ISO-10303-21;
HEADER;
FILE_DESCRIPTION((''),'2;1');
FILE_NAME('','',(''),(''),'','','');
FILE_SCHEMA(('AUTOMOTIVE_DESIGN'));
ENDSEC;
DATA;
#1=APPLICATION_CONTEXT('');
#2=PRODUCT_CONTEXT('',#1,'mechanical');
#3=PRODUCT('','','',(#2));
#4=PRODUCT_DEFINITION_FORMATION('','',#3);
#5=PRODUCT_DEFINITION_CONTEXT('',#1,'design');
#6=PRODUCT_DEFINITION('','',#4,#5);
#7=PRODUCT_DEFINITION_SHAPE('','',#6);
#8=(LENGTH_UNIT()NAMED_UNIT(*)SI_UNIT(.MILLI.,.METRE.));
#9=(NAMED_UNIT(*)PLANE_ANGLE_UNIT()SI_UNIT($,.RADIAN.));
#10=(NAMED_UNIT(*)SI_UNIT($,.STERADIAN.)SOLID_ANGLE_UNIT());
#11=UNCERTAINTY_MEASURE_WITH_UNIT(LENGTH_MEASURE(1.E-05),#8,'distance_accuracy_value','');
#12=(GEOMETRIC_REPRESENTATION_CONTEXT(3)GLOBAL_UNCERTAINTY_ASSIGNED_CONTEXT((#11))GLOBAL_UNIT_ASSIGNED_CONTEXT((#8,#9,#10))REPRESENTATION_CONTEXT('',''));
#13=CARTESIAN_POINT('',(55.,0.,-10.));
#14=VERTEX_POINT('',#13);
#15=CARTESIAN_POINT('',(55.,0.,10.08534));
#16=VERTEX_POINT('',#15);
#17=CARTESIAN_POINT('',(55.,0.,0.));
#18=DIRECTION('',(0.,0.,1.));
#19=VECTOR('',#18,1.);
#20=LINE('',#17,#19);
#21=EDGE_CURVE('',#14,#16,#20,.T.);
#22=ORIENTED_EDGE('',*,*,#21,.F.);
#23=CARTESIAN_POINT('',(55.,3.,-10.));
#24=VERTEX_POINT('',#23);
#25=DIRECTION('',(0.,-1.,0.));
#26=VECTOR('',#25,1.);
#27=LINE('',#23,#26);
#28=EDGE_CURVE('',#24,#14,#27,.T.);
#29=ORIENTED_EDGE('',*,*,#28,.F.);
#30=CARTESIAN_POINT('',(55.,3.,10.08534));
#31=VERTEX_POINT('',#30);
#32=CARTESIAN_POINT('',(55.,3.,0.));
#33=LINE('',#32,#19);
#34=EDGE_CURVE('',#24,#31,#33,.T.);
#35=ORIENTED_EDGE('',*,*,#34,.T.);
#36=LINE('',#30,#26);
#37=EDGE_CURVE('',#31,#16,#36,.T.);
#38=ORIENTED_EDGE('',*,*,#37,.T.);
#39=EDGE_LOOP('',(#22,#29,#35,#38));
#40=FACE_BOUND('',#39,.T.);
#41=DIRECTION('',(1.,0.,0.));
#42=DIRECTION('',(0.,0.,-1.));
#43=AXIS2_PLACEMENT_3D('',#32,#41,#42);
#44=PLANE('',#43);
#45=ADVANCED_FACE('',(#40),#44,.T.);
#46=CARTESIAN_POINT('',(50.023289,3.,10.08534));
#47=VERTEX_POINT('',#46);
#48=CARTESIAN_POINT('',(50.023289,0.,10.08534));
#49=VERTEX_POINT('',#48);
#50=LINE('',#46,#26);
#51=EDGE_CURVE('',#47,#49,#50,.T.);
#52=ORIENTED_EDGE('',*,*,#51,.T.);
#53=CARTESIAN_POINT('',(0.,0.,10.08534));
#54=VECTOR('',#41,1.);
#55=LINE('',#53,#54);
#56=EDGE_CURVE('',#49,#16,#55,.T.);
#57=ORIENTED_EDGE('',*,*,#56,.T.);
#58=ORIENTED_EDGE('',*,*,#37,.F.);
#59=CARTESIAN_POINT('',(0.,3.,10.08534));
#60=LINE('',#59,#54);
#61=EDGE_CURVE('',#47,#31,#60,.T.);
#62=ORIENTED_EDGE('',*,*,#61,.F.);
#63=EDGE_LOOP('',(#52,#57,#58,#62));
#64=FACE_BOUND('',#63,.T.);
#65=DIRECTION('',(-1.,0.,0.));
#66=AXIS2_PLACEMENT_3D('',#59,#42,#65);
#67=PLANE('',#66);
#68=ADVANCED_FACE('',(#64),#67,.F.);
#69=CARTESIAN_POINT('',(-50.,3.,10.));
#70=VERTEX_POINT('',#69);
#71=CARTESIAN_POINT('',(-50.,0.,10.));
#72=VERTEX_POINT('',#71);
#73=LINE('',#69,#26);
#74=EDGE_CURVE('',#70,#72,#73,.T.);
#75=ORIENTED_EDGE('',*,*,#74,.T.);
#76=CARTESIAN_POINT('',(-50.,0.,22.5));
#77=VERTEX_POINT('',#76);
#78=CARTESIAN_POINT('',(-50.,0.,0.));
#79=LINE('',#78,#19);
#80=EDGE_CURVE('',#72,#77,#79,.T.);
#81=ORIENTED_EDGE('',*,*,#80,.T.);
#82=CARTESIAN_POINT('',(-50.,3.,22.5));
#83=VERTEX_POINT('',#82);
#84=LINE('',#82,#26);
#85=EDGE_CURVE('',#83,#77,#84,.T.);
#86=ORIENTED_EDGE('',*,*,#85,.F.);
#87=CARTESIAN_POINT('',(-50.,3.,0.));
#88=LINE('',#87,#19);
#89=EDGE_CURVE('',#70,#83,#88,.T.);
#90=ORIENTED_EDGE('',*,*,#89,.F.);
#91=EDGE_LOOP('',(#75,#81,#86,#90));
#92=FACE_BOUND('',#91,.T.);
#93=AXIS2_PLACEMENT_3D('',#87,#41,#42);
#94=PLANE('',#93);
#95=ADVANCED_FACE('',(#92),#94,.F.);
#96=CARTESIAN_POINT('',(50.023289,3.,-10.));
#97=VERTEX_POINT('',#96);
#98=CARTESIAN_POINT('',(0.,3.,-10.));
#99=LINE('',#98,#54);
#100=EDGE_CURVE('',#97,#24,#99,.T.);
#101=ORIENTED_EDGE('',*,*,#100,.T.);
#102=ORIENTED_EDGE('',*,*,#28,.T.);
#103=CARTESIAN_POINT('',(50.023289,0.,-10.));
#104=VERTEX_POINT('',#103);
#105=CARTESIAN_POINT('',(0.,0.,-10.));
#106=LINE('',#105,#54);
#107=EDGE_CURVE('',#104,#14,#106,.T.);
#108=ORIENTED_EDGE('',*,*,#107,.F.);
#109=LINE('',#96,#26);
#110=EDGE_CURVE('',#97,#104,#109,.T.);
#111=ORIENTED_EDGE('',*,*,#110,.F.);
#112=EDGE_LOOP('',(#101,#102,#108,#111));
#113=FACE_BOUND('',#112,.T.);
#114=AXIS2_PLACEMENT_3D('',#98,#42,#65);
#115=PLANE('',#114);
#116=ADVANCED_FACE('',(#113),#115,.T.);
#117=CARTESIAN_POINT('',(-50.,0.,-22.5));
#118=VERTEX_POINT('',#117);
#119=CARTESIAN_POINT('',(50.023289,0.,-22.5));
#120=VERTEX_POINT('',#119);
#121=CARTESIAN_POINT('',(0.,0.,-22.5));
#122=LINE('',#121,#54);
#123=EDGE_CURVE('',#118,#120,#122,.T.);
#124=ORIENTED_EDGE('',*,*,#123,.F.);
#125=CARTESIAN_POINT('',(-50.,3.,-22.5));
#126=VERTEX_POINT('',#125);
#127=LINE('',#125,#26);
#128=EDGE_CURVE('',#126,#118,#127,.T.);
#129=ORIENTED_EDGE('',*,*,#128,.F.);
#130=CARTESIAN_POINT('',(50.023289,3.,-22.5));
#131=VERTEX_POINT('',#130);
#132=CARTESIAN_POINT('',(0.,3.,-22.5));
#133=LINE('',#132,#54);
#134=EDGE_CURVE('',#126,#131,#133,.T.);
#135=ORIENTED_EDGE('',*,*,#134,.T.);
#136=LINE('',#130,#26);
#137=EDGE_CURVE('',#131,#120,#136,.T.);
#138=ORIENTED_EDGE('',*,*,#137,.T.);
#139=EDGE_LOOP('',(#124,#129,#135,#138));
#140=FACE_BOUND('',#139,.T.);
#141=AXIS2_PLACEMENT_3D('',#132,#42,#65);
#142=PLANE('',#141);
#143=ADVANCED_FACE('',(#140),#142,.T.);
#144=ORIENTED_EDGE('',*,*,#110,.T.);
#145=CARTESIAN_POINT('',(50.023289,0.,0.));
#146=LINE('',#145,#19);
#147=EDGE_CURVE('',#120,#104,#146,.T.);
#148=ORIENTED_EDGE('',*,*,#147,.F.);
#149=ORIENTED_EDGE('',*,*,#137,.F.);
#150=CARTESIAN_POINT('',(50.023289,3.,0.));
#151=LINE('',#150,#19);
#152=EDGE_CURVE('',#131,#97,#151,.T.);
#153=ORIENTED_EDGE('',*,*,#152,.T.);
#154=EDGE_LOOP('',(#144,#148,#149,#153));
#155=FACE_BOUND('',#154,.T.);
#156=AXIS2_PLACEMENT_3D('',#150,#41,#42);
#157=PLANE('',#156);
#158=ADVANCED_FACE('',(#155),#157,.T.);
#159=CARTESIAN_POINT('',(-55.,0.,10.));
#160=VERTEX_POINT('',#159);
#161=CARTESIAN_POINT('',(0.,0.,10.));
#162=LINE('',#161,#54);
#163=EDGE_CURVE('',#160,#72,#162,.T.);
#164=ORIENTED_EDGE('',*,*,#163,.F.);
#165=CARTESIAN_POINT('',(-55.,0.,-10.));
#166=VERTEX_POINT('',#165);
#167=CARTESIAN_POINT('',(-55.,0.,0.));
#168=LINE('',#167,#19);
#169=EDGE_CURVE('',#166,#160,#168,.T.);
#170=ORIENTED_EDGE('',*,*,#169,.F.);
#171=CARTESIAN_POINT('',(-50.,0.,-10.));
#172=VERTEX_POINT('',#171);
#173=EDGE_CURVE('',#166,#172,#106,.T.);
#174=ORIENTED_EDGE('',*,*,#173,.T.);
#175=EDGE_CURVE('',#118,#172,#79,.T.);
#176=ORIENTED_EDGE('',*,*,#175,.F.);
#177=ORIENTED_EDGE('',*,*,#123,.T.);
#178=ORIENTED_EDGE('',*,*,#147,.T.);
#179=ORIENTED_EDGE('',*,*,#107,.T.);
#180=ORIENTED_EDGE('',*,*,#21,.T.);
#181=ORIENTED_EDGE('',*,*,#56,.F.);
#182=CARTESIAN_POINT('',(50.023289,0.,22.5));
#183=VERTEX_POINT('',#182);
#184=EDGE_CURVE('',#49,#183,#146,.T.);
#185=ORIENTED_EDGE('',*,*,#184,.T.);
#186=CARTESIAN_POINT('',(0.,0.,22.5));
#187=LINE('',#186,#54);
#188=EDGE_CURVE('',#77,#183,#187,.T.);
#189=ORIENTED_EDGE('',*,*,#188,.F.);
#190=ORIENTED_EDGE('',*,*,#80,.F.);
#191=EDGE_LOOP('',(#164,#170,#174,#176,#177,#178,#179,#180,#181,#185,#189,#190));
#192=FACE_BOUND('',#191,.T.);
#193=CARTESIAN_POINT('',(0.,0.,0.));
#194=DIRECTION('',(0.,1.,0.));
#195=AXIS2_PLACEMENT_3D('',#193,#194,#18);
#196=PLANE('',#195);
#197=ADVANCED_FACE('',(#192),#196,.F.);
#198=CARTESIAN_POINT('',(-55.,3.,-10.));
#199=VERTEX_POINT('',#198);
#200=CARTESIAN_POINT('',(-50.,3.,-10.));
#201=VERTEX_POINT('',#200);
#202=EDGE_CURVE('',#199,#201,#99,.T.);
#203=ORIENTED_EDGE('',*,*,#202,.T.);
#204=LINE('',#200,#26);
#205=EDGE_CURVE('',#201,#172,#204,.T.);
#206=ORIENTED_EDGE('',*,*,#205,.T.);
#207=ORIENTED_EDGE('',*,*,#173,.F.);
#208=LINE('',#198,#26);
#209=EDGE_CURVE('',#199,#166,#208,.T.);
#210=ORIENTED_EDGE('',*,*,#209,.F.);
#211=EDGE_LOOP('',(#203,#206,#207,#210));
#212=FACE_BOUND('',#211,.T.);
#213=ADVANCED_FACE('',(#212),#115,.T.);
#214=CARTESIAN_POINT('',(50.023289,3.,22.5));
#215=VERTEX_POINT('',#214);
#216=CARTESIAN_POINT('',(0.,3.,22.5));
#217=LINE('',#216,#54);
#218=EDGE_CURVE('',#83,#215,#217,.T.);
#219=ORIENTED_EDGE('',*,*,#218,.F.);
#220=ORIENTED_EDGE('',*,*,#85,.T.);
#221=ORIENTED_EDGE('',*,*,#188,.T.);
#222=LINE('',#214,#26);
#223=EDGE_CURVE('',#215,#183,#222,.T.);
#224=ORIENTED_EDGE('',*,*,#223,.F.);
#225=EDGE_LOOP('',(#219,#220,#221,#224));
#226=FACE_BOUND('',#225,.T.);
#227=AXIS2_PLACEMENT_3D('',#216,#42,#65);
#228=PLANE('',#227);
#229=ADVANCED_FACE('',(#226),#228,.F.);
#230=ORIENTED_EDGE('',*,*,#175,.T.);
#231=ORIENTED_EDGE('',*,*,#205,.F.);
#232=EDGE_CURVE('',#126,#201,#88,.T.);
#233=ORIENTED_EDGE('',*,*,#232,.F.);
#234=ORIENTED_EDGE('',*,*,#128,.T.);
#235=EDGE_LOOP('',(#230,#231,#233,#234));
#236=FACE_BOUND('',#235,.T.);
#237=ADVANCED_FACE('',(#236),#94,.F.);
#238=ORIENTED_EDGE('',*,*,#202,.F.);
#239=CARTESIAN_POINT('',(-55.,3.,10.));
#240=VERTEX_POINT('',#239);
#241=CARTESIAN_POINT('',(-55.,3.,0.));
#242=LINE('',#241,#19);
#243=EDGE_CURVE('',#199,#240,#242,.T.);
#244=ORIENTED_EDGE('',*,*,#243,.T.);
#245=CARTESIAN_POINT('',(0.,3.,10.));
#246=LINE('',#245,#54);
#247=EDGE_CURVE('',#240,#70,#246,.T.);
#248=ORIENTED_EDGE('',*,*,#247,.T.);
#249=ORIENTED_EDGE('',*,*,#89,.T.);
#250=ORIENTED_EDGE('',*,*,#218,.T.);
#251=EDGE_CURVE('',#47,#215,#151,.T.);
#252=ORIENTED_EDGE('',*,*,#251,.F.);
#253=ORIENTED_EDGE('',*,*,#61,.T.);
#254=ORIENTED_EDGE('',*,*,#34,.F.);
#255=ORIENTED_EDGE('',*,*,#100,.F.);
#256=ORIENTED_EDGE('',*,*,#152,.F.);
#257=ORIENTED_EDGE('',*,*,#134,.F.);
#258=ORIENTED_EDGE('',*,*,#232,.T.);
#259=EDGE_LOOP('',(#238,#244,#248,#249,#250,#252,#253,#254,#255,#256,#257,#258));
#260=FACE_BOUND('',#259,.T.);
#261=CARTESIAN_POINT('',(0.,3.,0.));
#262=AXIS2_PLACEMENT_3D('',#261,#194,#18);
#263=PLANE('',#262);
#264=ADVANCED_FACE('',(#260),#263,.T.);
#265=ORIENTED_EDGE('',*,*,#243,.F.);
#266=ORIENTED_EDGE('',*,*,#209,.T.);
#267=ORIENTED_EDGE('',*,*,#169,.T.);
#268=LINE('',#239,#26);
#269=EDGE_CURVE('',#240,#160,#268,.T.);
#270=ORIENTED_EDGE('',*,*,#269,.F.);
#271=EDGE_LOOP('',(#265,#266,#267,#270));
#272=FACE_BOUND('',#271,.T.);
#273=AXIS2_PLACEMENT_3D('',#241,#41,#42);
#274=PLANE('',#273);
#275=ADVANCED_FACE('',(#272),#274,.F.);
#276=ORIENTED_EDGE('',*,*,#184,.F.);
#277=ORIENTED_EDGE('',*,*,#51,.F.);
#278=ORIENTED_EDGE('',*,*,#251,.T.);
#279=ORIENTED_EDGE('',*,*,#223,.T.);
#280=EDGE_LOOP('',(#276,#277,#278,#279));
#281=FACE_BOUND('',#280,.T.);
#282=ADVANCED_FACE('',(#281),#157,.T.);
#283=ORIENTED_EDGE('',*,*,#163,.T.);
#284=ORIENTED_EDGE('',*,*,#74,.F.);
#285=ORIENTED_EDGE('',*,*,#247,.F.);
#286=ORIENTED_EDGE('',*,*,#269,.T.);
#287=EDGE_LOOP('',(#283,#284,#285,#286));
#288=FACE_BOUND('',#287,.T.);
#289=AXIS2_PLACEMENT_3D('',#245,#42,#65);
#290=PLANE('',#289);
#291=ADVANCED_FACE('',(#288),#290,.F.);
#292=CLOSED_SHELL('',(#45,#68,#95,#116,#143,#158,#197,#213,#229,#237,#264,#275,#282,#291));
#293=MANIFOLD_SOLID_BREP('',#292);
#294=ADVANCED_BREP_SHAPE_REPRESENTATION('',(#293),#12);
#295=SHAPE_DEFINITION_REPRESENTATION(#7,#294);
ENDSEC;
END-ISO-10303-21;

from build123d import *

# Parameters (mm, degrees)
SKETCH_1_W      = 100.023288524
SKETCH_1_H      = 45
SKETCH_1_W_2    = 5
SKETCH_1_H_2    = 20.085340428
SKETCH_1_W_3    = 5.299442369
SKETCH_1_H_3    = 20
EXTRUDE_1_DEPTH = 3


with BuildPart() as part:
    # 草图1 → 凸台-拉伸1 (new body)
    with BuildSketch(Plane(origin=(0, 0, 0), x_dir=(1, 0, 0), z_dir=(0, 1, 0))):
        with Locations((0.011644262, 0)):
            Rectangle(SKETCH_1_W, SKETCH_1_H)
        with Locations((52.5, -0.042670214)):
            Rectangle(SKETCH_1_W_2, SKETCH_1_H_2)
        with Locations((-52.350278816, 0)):
            Rectangle(SKETCH_1_W_3, SKETCH_1_H_3)
    extrude(amount=EXTRUDE_1_DEPTH)


solid = part.part
